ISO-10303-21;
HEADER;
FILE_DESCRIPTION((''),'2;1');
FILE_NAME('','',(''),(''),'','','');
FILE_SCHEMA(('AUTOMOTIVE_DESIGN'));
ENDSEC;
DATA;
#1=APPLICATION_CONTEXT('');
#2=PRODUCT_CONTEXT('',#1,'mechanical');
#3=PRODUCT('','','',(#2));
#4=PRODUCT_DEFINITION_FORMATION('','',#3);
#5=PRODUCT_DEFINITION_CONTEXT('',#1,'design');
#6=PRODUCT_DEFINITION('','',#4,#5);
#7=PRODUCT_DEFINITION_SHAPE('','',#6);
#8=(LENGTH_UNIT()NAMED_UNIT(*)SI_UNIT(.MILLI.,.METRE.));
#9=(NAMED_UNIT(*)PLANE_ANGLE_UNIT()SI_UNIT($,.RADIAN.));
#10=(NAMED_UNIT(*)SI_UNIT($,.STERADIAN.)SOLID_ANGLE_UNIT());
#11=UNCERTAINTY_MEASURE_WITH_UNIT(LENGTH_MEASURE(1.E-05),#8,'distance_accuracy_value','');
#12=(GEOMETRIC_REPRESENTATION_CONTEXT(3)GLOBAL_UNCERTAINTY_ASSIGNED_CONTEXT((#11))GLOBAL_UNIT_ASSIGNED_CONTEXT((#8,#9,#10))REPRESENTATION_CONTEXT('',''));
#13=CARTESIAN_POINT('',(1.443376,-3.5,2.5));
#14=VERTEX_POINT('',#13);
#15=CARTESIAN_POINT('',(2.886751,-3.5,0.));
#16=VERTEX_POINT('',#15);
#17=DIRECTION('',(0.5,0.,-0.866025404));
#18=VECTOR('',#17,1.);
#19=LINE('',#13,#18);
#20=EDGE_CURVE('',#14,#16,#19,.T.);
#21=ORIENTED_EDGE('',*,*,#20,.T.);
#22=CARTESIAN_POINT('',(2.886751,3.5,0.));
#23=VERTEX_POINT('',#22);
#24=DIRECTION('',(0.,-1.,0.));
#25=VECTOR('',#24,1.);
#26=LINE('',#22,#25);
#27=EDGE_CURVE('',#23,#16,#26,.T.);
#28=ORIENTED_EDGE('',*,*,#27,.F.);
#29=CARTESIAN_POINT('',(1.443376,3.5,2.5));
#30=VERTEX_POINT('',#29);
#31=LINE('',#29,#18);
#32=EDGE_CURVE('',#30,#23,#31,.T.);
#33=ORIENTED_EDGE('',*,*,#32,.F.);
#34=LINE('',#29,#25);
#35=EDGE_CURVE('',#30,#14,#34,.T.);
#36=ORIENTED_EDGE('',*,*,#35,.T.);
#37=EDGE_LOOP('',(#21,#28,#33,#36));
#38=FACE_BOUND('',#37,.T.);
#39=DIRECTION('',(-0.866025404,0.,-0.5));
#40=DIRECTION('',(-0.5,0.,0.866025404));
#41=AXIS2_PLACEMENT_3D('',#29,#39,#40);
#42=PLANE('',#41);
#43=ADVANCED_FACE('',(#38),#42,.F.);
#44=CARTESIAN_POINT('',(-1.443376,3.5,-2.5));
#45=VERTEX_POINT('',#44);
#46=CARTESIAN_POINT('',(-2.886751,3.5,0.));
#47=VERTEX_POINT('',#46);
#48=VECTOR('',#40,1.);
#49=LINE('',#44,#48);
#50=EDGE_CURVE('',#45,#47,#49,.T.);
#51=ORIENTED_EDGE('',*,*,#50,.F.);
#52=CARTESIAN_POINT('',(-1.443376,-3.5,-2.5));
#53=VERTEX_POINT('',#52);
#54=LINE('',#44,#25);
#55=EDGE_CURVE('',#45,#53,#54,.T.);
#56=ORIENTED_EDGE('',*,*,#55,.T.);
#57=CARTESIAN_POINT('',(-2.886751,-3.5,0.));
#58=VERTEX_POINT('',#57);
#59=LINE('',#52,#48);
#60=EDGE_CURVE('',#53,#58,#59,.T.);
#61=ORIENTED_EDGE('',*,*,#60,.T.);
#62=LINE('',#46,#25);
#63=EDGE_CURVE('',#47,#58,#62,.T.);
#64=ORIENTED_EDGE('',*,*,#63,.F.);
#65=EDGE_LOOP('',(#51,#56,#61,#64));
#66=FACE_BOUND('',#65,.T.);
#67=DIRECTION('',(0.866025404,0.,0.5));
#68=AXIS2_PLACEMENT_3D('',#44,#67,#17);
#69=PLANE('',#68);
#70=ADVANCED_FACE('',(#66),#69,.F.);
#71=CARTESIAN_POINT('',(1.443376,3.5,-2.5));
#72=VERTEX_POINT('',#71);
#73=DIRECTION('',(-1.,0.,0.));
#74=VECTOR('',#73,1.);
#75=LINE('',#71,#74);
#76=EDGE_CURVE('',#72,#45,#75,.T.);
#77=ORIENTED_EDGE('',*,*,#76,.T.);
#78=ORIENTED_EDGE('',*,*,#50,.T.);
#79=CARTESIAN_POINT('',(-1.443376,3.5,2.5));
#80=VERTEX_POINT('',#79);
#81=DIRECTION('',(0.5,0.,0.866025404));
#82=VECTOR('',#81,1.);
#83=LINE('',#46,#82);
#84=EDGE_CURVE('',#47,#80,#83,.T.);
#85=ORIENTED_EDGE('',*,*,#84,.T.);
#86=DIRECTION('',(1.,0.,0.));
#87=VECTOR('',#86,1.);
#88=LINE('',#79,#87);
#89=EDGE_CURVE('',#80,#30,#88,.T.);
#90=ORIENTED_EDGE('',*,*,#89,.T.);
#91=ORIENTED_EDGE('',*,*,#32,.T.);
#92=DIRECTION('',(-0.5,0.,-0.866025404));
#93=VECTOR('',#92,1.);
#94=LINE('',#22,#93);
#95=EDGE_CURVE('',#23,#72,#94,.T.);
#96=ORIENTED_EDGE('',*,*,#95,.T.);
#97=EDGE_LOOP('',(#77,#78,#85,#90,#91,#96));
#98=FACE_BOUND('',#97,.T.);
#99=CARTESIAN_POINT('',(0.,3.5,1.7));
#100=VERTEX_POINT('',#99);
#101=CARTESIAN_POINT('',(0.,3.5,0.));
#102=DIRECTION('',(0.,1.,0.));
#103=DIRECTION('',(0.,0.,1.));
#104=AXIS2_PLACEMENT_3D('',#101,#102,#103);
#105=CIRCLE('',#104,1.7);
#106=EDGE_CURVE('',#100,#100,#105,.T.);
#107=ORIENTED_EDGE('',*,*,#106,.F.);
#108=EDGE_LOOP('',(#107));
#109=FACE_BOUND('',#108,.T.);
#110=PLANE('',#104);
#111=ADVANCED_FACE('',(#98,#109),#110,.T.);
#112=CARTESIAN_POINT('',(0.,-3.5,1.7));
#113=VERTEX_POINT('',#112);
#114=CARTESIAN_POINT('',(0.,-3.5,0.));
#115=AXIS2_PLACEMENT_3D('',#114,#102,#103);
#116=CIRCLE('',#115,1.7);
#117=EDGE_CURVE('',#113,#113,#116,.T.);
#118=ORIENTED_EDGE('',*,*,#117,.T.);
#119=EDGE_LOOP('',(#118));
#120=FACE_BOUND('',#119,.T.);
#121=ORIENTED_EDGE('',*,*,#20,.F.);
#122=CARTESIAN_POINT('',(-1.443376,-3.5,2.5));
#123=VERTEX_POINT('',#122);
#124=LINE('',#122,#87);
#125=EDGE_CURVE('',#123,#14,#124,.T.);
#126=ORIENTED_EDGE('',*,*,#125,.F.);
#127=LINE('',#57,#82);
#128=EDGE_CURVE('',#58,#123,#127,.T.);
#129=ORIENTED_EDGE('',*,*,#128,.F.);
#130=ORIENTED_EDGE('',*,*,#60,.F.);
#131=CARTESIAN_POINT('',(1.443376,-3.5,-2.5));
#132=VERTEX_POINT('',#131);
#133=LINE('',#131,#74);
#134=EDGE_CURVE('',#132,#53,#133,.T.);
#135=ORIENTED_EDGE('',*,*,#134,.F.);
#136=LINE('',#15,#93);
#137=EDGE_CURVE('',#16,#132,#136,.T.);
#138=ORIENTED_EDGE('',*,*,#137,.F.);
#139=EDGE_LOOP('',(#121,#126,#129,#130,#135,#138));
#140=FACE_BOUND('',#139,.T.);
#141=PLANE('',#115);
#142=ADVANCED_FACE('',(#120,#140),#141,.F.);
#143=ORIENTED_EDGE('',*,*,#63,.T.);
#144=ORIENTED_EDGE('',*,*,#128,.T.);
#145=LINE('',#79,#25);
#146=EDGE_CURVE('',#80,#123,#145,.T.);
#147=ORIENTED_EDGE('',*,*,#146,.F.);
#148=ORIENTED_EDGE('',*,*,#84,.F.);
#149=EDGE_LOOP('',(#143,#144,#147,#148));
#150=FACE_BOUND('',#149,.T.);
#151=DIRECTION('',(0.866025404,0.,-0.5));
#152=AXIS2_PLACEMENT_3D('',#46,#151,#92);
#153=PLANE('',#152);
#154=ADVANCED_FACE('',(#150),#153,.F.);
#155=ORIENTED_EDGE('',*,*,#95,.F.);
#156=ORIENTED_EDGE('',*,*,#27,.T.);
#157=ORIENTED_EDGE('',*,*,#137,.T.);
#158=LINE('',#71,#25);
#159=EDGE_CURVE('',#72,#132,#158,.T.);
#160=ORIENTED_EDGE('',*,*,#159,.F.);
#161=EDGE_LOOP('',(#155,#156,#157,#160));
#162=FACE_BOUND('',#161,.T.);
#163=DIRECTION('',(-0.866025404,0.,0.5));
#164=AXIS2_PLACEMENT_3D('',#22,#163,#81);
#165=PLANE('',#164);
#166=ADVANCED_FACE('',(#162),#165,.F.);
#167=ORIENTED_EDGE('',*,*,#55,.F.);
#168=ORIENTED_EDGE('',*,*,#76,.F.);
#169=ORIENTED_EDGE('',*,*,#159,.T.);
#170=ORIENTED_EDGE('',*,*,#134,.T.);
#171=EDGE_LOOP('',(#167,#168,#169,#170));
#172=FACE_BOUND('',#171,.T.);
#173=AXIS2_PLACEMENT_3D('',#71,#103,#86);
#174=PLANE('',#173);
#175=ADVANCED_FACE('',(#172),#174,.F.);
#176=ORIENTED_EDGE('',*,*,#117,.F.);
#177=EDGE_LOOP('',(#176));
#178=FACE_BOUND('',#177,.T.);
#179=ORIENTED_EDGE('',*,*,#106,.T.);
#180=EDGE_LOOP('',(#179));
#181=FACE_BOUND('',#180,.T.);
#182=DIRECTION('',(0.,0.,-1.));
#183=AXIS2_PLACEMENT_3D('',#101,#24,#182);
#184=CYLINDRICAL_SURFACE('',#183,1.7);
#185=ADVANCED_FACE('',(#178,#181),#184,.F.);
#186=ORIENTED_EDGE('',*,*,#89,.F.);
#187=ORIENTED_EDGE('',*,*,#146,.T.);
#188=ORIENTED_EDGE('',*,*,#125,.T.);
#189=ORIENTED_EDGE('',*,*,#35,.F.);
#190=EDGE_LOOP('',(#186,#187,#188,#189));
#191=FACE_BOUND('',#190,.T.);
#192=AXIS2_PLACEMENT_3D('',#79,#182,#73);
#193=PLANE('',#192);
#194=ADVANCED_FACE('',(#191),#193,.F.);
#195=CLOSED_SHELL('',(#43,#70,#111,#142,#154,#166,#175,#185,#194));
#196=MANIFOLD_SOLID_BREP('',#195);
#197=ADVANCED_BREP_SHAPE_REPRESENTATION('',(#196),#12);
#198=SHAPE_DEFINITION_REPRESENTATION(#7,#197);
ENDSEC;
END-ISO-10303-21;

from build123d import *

# Parameters (mm, degrees)
SKETCH1_R           = 1.7
BOSS_EXTRUDE1_DEPTH = 3.5


with BuildPart() as part:
    # Sketch1 → Boss-Extrude1 (new body, symmetric)
    with BuildSketch(Plane(origin=(0, 0, 0), x_dir=(1, 0, 0), z_dir=(0, 1, 0))):
        Polygon((-2.886751346, 0), (-1.443375673, -2.5), (1.443375673, -2.5), (2.886751346, 0), (1.443375673, 2.5), (-1.443375673, 2.5), align=None)
        Circle(SKETCH1_R, mode=Mode.SUBTRACT)
    extrude(amount=BOSS_EXTRUDE1_DEPTH, both=True)


solid = part.part
